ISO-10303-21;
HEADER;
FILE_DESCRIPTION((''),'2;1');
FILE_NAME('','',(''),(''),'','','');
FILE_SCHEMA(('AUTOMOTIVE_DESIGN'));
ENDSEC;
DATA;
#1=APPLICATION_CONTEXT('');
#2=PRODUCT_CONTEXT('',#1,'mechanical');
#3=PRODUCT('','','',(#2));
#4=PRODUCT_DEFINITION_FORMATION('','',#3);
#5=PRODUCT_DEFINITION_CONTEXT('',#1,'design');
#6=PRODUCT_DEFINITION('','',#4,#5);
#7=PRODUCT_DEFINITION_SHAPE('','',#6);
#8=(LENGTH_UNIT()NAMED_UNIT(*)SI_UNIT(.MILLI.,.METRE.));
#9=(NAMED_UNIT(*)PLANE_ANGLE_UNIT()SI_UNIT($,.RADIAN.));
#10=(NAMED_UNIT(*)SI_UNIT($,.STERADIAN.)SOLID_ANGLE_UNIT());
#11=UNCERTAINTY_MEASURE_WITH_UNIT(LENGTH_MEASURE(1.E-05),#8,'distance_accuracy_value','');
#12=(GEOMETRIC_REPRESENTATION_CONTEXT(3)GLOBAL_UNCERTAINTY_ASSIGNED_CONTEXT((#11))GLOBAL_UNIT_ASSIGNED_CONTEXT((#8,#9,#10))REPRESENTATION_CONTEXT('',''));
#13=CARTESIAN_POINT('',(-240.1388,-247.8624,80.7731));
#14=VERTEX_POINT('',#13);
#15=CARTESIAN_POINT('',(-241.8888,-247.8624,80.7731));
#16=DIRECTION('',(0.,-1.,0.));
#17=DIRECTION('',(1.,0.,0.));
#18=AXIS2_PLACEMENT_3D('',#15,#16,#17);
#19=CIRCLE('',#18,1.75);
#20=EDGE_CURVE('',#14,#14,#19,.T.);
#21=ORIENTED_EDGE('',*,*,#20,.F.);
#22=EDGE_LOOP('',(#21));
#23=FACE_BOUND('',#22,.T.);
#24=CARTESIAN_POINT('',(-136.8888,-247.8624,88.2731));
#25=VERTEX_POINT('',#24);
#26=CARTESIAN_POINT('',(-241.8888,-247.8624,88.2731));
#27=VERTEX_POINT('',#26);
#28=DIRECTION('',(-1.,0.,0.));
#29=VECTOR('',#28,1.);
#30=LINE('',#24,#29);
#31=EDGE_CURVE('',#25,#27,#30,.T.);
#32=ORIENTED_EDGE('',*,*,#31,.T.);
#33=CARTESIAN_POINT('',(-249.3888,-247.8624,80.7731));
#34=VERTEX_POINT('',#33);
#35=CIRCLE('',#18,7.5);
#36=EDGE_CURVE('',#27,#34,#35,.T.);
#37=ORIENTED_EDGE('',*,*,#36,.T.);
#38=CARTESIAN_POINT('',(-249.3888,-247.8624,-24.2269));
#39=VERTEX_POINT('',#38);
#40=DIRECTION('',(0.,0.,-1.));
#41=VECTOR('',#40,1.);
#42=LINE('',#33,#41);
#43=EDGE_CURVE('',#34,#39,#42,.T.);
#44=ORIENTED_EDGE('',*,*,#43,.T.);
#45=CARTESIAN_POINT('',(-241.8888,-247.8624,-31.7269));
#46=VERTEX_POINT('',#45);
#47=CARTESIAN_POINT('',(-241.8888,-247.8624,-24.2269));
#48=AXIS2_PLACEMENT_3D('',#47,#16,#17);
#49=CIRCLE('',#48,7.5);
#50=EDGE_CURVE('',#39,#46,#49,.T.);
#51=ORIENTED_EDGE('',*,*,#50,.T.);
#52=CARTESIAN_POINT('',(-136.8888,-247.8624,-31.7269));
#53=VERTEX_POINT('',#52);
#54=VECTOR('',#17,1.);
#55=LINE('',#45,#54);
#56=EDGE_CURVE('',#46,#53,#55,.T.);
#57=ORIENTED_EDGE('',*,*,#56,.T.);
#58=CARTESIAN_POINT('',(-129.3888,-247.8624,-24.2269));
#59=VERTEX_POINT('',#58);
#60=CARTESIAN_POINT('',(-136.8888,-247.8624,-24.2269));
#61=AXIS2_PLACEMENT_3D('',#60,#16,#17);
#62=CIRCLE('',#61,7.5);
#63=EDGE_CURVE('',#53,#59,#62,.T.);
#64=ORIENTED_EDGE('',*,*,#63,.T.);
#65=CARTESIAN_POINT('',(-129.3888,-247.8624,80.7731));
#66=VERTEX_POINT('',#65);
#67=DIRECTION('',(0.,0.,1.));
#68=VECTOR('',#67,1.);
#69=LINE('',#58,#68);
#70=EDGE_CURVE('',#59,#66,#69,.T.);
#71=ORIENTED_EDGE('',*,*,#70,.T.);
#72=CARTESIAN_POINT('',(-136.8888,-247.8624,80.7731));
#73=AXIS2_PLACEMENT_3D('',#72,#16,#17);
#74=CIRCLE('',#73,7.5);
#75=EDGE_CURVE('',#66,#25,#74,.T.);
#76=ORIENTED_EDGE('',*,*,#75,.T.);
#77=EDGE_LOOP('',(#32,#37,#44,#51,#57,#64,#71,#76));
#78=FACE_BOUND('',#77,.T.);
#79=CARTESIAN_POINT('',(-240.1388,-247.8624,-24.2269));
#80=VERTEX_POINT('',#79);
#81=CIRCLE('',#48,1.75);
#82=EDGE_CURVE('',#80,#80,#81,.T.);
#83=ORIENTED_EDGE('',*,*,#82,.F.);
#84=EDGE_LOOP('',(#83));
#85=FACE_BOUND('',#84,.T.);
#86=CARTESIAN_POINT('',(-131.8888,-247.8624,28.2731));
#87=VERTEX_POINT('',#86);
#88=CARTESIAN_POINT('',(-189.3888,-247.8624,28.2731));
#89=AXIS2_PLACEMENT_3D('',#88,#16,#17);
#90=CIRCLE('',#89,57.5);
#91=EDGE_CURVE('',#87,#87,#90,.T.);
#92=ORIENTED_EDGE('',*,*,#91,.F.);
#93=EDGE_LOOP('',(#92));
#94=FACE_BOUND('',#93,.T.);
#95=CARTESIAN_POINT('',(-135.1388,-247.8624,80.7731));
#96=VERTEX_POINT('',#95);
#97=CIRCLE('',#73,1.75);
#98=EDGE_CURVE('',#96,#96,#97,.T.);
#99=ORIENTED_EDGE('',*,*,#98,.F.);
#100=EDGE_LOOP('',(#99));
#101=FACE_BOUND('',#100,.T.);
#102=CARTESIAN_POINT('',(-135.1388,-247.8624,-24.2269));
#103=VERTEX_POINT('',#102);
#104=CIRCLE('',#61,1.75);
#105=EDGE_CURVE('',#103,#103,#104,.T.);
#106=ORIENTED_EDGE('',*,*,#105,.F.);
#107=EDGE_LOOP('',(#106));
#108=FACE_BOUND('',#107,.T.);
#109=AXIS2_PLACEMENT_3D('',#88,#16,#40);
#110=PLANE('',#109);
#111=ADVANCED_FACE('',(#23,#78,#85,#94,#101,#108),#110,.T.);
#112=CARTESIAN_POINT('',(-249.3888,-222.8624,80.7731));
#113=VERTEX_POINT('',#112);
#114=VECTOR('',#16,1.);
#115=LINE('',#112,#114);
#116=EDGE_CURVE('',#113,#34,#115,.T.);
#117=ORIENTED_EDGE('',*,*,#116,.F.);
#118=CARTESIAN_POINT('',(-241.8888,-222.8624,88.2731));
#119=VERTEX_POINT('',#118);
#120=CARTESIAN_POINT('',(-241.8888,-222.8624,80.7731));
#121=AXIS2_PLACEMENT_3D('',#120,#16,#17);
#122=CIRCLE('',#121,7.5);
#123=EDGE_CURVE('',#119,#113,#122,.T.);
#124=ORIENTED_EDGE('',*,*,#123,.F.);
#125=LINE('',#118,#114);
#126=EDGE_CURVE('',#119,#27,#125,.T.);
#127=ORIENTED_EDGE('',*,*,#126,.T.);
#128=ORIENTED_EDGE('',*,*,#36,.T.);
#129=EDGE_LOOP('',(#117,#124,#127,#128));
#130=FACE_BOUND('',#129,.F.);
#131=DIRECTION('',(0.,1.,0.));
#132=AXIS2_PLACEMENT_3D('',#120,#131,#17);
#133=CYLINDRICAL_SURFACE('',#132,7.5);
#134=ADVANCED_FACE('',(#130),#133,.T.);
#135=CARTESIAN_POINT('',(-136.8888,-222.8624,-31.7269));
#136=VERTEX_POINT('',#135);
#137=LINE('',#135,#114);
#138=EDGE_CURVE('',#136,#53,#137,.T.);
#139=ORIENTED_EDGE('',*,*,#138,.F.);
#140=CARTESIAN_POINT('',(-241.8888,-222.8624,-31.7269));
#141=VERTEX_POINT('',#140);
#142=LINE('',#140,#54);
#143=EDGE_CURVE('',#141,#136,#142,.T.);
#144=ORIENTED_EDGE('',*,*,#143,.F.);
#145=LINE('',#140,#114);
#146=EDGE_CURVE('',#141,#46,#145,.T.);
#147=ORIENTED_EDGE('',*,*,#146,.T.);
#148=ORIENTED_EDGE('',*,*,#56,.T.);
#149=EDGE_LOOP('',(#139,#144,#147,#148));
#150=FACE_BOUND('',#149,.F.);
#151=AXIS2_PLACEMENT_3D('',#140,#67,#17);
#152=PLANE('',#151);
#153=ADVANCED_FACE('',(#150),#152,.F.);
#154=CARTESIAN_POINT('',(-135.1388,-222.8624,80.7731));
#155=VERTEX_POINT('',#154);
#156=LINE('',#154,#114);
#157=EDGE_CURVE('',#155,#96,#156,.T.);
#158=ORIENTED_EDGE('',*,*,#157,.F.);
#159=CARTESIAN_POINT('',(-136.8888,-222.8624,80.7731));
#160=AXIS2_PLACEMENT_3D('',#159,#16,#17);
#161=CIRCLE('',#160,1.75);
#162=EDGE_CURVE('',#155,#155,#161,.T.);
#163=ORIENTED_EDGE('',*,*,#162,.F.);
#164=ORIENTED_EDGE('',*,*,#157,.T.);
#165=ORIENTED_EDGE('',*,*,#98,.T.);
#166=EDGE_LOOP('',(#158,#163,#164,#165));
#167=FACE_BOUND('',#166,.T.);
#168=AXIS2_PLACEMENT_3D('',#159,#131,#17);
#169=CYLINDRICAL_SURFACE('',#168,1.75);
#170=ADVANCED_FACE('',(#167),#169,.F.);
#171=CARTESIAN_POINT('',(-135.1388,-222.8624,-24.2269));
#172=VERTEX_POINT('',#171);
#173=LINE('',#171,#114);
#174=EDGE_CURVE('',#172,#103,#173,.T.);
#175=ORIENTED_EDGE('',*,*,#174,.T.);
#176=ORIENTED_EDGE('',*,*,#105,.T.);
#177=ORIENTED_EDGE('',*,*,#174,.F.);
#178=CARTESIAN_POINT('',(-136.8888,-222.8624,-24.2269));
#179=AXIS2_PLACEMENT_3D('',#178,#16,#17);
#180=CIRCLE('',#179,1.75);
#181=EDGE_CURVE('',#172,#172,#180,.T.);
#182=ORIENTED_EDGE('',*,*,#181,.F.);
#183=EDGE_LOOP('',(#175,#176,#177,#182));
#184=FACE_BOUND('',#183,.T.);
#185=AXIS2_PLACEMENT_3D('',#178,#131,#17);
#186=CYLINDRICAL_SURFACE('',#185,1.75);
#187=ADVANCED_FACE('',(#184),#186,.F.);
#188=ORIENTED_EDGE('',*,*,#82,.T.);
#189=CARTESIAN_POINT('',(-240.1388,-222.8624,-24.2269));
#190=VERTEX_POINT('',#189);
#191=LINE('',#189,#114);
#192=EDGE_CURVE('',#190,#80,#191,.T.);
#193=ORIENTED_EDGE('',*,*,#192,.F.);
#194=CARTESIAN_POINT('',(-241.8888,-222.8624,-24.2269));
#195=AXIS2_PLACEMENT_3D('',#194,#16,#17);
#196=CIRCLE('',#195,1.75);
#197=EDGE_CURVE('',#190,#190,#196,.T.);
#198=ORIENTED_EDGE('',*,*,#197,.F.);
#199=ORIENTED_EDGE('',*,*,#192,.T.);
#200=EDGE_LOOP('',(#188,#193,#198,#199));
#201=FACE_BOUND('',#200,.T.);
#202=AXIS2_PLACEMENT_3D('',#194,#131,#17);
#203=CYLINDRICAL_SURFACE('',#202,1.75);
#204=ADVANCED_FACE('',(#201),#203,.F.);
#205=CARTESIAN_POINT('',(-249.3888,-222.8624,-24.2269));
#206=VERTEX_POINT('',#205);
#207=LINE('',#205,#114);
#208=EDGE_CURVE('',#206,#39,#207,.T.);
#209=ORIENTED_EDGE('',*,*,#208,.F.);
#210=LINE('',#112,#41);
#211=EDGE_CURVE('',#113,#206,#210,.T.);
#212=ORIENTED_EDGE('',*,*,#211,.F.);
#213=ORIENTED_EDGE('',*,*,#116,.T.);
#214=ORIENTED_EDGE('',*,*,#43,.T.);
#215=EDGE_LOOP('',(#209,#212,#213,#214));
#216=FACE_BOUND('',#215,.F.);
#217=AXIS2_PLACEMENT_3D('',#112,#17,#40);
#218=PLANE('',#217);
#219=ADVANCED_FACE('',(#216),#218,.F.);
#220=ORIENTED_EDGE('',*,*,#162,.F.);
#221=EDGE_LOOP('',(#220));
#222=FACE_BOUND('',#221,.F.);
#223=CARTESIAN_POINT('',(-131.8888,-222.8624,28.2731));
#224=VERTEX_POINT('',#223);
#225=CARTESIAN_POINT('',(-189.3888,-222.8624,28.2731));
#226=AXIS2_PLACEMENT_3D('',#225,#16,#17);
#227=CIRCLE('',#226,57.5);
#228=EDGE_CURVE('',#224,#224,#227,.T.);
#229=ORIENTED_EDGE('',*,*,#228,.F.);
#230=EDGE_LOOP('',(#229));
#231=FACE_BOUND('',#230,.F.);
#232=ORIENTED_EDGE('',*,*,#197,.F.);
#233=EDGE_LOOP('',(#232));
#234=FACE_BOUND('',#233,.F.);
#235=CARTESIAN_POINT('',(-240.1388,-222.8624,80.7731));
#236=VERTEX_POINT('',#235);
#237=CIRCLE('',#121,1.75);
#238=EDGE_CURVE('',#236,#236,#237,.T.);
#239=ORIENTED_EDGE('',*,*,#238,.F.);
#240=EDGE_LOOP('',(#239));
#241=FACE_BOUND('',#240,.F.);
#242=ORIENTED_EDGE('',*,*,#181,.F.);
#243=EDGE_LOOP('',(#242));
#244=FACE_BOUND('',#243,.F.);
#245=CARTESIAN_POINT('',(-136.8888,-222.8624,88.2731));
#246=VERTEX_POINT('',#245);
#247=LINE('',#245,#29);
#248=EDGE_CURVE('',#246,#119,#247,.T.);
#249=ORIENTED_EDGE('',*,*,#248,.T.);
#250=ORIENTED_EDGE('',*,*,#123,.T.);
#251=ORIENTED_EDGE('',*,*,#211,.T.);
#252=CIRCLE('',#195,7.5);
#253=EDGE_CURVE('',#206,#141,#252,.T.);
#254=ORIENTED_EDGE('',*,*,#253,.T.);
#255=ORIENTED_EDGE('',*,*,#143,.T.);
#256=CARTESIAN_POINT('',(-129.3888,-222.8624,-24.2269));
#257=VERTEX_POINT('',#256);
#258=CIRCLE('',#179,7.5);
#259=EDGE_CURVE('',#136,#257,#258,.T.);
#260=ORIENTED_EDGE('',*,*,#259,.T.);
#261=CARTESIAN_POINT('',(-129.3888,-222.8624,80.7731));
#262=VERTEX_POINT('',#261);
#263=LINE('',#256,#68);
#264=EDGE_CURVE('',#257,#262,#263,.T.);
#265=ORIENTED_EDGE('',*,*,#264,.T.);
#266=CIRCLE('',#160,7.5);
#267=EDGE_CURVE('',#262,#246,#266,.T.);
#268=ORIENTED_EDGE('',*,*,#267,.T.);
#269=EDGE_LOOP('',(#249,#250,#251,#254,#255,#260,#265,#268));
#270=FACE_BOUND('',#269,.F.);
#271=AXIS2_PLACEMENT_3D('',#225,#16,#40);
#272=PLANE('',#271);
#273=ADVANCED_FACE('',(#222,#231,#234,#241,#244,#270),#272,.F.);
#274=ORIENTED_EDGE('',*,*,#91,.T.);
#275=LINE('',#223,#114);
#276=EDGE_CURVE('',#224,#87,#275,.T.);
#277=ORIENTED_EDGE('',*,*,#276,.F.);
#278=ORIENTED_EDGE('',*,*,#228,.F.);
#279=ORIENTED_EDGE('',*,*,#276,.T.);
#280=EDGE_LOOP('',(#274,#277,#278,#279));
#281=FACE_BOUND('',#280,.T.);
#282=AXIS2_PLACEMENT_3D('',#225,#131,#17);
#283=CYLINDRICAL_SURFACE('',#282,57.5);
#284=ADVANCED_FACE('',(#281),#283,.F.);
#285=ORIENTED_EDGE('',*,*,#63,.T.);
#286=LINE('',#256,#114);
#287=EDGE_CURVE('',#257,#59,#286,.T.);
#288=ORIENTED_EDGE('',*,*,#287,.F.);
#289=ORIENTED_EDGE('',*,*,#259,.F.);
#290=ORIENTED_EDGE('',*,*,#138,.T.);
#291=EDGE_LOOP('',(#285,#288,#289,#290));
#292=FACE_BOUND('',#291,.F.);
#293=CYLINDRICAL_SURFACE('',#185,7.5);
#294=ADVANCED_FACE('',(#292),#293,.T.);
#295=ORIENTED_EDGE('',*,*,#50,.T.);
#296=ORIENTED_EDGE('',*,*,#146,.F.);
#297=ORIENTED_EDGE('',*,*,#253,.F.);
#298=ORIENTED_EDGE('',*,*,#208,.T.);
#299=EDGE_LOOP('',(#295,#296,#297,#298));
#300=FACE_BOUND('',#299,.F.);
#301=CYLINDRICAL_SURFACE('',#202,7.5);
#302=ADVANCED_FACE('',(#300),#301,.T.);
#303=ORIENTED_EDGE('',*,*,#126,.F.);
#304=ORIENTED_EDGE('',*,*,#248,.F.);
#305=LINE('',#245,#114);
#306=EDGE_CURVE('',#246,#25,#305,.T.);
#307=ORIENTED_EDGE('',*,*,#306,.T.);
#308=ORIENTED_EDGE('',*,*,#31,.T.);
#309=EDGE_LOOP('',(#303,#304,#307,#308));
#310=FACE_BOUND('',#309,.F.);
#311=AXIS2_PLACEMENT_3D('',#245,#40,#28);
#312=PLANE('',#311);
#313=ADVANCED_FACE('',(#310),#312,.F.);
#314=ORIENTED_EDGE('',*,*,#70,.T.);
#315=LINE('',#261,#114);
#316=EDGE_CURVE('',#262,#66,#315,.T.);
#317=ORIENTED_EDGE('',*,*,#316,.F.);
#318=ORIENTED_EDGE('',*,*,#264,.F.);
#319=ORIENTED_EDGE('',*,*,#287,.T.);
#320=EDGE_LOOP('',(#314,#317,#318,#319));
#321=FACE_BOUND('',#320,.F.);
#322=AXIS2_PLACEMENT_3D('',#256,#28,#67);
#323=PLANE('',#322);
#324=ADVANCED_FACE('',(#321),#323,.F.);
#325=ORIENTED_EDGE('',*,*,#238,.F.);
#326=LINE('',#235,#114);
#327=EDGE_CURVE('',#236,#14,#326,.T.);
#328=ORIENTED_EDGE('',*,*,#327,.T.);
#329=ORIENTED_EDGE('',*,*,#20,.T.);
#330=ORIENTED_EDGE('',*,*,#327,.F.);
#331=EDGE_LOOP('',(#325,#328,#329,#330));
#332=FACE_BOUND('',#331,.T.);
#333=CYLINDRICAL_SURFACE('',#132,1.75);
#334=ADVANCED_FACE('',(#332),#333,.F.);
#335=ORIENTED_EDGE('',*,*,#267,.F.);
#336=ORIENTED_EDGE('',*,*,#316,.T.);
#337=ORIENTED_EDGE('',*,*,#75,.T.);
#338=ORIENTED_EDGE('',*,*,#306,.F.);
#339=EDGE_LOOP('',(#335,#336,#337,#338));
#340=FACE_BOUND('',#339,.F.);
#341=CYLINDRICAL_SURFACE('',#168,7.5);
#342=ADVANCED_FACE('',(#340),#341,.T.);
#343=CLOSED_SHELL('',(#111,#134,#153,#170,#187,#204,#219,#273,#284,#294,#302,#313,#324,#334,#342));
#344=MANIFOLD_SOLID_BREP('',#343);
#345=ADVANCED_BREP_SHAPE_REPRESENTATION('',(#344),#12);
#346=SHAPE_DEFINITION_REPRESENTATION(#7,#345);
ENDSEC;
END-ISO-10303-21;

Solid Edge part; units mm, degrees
sketch "Sketch1" plane through (0, -222.8624, 0) normal (0, -1, 0) x (1, 0, 0)
  circle A0 centre (-241.8888, 80.7731) radius 1.75
  circle A1 centre (-189.3888, 28.2731) radius 57.5
  arc A2 (-136.8888, -31.7269) -> (-129.3888, -24.2269) centre (-136.8888, -24.2269) ccw
  line L0 (-129.3888, -24.2269) -> (-129.3888, 80.7731)
  arc A3 (-129.3888, 80.7731) -> (-136.8888, 88.2731) centre (-136.8888, 80.7731) ccw
  line L1 (-136.8888, 88.2731) -> (-241.8888, 88.2731)
  arc A4 (-241.8888, 88.2731) -> (-249.3888, 80.7731) centre (-241.8888, 80.7731) ccw
  line L2 (-249.3888, 80.7731) -> (-249.3888, -24.2269)
  arc A5 (-249.3888, -24.2269) -> (-241.8888, -31.7269) centre (-241.8888, -24.2269) ccw
  line L3 (-241.8888, -31.7269) -> (-136.8888, -31.7269)
  circle A6 centre (-136.8888, 80.7731) radius 1.75
  circle A7 centre (-136.8888, -24.2269) radius 1.75
  circle A8 centre (-241.8888, -24.2269) radius 1.75
extrude "Protrusion1" add sketch "Sketch1" along normal blind 25
